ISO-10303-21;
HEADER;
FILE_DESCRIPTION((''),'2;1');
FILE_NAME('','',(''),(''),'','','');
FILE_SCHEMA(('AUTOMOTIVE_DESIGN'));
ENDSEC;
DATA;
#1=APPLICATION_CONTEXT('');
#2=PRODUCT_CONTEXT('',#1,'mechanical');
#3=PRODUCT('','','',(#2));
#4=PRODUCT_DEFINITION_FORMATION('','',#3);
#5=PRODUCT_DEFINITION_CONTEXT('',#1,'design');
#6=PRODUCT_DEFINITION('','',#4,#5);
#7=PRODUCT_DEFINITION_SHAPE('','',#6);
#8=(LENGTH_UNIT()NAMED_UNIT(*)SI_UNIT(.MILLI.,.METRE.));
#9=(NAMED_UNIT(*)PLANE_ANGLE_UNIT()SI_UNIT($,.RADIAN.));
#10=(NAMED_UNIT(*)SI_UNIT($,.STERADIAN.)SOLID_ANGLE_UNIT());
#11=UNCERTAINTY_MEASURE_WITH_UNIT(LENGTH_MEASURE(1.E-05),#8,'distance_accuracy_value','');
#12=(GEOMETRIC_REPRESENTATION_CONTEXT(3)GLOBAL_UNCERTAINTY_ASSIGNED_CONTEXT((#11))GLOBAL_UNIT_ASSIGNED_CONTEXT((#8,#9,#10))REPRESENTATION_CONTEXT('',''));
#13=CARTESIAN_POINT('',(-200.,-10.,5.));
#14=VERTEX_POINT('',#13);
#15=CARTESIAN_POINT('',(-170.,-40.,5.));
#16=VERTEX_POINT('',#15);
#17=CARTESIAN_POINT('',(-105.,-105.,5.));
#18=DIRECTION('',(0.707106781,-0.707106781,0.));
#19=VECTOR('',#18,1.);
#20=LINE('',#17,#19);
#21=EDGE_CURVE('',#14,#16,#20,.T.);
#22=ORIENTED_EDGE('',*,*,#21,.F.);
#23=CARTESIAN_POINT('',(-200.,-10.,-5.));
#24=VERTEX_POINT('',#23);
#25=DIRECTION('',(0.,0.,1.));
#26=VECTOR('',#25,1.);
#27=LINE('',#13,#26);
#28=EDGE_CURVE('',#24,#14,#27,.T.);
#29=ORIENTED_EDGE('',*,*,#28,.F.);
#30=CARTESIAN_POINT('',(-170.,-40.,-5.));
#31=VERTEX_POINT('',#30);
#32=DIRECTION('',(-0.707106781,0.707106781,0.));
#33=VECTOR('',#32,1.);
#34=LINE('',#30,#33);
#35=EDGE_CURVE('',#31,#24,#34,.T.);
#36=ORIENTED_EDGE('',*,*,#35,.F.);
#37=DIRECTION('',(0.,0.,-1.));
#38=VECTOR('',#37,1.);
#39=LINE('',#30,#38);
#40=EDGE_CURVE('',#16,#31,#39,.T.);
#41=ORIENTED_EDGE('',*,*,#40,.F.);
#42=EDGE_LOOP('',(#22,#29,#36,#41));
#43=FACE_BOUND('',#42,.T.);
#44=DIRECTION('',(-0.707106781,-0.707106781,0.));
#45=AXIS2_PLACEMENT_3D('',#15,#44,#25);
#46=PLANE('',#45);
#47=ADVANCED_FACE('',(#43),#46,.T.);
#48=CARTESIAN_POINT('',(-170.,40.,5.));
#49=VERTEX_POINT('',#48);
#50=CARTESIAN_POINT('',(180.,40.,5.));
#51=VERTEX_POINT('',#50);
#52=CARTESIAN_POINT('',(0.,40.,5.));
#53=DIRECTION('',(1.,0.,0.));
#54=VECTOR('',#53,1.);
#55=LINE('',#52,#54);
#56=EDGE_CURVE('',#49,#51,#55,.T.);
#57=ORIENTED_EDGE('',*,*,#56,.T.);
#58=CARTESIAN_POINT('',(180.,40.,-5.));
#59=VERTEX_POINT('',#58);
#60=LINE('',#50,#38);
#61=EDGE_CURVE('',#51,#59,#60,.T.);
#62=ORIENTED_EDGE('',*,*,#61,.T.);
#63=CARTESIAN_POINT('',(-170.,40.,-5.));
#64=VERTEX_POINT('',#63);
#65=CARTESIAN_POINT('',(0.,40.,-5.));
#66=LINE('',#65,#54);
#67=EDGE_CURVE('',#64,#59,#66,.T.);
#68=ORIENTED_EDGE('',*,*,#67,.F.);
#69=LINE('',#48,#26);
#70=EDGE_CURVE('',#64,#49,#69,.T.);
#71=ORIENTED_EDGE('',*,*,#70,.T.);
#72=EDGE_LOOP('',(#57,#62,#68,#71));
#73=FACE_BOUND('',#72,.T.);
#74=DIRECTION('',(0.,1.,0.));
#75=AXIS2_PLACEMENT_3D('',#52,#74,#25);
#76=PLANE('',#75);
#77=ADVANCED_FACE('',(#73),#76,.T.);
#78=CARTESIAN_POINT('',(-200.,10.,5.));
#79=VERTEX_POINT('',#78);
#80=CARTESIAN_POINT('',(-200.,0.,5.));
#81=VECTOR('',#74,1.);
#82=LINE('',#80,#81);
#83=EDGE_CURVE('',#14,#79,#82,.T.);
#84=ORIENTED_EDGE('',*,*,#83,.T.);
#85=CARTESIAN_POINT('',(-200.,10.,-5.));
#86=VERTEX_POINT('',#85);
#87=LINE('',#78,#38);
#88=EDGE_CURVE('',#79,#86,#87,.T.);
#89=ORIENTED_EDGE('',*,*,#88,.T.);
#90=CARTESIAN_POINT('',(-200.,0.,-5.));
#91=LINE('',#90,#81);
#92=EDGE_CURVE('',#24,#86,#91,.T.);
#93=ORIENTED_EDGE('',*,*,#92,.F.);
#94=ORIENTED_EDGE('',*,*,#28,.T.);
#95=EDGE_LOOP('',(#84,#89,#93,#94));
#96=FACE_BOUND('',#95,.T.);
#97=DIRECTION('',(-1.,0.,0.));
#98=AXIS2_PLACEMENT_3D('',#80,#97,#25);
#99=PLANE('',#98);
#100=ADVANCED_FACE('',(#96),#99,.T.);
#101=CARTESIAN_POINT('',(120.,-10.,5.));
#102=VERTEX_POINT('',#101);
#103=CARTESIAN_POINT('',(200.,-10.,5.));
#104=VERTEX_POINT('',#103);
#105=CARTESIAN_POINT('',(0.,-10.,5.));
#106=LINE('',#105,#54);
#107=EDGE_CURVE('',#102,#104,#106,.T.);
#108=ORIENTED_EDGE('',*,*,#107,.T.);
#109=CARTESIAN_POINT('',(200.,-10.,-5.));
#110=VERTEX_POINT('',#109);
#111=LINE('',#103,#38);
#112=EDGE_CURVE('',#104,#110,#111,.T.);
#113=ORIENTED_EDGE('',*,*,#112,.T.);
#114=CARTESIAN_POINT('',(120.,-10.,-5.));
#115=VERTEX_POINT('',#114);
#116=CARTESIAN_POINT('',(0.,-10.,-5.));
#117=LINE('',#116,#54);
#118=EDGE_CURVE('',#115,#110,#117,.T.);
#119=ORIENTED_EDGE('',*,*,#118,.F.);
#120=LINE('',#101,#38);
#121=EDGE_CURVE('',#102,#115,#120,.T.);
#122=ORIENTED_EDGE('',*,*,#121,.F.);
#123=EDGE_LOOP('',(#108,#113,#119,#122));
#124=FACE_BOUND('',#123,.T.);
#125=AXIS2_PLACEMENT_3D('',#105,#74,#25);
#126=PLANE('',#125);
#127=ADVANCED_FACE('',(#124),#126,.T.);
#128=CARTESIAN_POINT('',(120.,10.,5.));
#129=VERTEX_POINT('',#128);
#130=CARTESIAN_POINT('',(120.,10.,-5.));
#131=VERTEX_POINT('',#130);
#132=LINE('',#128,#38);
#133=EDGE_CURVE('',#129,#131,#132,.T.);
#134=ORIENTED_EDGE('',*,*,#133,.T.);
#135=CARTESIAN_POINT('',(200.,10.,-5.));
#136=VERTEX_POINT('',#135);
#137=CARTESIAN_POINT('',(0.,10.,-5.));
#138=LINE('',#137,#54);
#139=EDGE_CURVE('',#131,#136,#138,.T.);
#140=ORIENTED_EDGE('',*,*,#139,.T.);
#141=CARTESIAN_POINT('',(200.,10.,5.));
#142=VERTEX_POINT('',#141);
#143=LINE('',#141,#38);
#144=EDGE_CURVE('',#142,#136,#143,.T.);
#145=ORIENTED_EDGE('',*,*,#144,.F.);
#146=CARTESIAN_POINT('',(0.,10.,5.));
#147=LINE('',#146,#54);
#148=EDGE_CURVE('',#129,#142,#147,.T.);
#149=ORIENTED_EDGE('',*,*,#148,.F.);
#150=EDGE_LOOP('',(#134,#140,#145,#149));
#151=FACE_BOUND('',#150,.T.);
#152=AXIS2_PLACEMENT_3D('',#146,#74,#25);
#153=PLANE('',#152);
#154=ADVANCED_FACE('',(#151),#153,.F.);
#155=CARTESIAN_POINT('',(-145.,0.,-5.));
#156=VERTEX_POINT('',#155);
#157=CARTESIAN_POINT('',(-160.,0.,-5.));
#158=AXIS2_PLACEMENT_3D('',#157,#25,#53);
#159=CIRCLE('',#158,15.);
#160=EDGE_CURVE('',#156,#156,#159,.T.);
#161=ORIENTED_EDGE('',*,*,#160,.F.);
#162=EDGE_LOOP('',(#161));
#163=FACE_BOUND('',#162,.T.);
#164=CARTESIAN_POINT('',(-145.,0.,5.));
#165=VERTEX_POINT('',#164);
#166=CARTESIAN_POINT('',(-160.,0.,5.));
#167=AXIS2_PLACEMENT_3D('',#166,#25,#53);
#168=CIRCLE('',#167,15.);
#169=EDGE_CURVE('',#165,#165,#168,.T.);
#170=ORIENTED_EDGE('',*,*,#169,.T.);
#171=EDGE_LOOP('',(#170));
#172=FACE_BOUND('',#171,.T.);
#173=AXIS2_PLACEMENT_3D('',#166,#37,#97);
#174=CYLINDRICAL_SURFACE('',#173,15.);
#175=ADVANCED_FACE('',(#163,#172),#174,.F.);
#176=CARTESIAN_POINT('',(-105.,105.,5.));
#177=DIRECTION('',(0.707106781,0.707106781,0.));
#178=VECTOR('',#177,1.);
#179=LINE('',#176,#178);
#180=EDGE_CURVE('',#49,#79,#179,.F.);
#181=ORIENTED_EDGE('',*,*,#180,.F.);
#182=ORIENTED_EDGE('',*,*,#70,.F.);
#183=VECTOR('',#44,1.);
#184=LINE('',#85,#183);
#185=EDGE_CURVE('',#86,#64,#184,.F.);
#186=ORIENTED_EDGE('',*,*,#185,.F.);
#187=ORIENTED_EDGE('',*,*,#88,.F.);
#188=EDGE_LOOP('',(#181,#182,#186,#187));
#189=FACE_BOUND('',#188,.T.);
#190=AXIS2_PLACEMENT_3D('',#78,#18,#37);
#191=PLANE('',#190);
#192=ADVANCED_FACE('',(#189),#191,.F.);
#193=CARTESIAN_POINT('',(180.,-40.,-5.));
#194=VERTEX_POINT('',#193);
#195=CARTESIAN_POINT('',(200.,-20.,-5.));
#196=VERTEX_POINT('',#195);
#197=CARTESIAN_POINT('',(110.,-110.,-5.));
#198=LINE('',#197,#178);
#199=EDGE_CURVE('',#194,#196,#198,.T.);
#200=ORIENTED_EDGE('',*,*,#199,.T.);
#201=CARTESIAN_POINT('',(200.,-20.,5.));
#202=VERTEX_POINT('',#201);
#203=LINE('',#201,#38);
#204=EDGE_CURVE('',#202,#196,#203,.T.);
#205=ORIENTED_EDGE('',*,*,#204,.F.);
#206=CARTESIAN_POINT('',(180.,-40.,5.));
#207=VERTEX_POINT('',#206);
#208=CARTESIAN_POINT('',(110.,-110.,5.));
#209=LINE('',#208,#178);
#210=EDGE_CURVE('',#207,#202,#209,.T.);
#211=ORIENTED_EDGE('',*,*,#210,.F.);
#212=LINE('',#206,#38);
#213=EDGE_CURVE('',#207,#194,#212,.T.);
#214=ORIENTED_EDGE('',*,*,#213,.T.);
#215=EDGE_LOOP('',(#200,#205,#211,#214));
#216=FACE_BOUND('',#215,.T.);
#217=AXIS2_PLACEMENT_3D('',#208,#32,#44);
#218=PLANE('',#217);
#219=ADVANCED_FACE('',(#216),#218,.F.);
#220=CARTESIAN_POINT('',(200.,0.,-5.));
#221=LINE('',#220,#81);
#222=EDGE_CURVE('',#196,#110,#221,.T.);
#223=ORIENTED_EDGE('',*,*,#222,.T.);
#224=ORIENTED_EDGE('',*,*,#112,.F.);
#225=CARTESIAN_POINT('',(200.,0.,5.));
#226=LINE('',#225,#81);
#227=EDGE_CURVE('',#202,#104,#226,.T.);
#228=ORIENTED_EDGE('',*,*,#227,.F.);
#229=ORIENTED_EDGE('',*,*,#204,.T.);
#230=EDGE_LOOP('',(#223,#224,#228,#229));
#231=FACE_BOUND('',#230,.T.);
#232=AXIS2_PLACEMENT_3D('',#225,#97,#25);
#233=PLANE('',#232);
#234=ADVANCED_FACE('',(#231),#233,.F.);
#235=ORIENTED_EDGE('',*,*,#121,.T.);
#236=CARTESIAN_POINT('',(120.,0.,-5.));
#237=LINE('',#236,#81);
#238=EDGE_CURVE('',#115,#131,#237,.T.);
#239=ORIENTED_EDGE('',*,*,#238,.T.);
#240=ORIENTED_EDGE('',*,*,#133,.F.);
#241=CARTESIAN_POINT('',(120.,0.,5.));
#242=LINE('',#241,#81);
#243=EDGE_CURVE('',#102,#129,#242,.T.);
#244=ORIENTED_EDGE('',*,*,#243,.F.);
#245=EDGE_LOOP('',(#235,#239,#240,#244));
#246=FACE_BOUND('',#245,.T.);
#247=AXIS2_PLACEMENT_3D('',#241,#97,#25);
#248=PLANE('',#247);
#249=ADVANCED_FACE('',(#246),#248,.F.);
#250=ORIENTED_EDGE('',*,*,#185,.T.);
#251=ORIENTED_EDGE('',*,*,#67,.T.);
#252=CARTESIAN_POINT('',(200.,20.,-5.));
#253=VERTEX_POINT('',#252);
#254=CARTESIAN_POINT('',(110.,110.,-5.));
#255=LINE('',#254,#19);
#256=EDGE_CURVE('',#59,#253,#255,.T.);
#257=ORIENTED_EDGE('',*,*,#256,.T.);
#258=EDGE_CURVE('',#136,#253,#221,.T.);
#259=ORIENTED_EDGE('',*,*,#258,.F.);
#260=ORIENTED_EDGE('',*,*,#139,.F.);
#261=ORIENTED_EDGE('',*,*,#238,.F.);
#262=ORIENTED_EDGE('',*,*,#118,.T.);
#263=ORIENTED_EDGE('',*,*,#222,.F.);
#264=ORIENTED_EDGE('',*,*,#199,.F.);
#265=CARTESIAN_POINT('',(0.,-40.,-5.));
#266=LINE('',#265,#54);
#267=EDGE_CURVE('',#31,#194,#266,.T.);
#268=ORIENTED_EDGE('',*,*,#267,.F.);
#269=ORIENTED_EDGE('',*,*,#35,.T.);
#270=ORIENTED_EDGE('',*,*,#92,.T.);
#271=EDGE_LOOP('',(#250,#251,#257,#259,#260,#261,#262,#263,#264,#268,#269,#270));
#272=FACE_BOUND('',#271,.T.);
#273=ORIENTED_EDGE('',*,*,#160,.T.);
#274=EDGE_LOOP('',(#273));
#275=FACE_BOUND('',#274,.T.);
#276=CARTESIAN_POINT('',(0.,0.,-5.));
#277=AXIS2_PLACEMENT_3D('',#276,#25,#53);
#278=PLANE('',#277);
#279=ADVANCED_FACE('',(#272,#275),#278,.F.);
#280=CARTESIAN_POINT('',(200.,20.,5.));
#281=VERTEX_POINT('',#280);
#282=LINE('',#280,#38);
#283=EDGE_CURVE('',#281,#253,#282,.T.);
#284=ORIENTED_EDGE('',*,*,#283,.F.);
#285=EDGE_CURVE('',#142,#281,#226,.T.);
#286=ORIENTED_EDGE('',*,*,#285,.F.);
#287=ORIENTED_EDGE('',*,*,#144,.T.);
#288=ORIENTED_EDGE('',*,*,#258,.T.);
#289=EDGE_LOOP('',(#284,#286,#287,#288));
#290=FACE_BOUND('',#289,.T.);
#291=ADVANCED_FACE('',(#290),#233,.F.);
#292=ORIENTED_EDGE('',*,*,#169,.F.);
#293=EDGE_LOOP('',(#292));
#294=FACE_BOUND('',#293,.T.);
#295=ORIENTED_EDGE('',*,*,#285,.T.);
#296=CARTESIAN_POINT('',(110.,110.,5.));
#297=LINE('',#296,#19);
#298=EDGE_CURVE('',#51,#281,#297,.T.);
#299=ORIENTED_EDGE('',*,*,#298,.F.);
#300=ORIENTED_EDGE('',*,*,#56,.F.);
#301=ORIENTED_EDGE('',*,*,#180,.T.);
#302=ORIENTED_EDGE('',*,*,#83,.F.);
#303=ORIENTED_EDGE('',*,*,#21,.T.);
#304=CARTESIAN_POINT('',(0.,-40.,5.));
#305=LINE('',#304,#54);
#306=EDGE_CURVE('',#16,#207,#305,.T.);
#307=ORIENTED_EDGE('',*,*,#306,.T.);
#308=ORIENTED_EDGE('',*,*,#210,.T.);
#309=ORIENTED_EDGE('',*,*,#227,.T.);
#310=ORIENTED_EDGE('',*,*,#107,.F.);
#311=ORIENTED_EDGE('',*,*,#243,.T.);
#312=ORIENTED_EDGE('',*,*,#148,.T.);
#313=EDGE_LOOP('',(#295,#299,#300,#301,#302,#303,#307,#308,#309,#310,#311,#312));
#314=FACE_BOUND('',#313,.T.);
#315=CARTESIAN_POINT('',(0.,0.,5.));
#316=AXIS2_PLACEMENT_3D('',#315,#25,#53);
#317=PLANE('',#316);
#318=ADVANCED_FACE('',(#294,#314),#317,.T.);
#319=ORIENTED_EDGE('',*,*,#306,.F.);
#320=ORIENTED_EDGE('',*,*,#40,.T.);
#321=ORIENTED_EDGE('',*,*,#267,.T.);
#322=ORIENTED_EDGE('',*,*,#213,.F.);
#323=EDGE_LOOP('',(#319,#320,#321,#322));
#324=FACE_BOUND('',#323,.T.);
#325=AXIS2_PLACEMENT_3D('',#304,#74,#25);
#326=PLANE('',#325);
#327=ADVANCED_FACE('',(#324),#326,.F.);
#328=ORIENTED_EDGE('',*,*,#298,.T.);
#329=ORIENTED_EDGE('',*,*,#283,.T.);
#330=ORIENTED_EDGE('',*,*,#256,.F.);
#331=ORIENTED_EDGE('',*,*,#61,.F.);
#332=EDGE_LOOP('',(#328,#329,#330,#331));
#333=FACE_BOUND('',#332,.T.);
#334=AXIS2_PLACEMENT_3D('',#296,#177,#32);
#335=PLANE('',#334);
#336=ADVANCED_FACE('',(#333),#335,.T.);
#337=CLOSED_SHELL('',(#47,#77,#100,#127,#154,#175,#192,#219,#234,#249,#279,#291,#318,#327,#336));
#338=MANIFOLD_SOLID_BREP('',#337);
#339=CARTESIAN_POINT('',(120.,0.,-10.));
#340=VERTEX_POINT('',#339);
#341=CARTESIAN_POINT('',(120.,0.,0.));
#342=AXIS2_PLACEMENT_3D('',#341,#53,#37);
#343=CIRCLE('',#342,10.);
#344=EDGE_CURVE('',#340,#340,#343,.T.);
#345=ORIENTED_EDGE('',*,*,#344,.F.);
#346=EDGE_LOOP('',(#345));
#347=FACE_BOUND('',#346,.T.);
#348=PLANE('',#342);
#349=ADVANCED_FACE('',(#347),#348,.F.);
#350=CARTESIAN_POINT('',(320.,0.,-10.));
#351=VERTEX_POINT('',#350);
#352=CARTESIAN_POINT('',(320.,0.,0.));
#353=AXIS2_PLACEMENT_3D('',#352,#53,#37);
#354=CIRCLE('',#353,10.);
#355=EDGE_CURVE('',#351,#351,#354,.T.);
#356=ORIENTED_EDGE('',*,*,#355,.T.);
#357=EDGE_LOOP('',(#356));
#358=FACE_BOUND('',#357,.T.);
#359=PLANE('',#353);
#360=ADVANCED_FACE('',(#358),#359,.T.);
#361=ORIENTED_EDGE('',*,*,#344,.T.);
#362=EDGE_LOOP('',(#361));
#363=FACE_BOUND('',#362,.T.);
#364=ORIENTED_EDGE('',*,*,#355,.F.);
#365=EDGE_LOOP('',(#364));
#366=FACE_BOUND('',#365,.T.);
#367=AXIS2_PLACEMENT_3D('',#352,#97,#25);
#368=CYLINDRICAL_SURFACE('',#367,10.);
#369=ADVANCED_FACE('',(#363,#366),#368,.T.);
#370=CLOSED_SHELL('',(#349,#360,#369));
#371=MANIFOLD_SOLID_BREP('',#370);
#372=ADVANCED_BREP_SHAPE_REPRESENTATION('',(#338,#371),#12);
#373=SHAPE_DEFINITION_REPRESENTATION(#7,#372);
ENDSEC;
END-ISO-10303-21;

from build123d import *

# Parameters (mm, degrees)
SKETCH1_R           = 15
BOSS_EXTRUDE1_DEPTH = 5
BOSS_EXTRUDE3_START = 120
SKETCH3_R           = 10
BOSS_EXTRUDE3_DEPTH = 200
CHAMFER1_SIZE       = 30


with BuildPart() as part:
    # Sketch1 → Boss-Extrude1 (new, symmetric)
    with BuildSketch(Plane.XY):
        Polygon((-200, 40), (-200, -40), (180, -40), (200, -20), (200, -10), (120, -10), (120, 10), (200, 10), (200, 20), (180, 40), align=None)
        with Locations((-160, 0)):
            Circle(SKETCH1_R, mode=Mode.SUBTRACT)
    extrude(amount=BOSS_EXTRUDE1_DEPTH, both=True)

    # Chamfer1
    chamfer1_edges = [part.edges().sort_by_distance(p)[0] for p in [
        (-200, -40, 0),
        (-200, 40, 0),
    ]]
    chamfer(chamfer1_edges, length=CHAMFER1_SIZE)


with BuildPart() as body_2:
    # Sketch3 → Boss-Extrude3 (new body)
    with BuildSketch(Plane(origin=(0, 0, 0), x_dir=(0, 0, -1), z_dir=(1, 0, 0)).offset(BOSS_EXTRUDE3_START)):
        Circle(SKETCH3_R)
    extrude(amount=BOSS_EXTRUDE3_DEPTH)


solid = Compound([part.part, body_2.part])
